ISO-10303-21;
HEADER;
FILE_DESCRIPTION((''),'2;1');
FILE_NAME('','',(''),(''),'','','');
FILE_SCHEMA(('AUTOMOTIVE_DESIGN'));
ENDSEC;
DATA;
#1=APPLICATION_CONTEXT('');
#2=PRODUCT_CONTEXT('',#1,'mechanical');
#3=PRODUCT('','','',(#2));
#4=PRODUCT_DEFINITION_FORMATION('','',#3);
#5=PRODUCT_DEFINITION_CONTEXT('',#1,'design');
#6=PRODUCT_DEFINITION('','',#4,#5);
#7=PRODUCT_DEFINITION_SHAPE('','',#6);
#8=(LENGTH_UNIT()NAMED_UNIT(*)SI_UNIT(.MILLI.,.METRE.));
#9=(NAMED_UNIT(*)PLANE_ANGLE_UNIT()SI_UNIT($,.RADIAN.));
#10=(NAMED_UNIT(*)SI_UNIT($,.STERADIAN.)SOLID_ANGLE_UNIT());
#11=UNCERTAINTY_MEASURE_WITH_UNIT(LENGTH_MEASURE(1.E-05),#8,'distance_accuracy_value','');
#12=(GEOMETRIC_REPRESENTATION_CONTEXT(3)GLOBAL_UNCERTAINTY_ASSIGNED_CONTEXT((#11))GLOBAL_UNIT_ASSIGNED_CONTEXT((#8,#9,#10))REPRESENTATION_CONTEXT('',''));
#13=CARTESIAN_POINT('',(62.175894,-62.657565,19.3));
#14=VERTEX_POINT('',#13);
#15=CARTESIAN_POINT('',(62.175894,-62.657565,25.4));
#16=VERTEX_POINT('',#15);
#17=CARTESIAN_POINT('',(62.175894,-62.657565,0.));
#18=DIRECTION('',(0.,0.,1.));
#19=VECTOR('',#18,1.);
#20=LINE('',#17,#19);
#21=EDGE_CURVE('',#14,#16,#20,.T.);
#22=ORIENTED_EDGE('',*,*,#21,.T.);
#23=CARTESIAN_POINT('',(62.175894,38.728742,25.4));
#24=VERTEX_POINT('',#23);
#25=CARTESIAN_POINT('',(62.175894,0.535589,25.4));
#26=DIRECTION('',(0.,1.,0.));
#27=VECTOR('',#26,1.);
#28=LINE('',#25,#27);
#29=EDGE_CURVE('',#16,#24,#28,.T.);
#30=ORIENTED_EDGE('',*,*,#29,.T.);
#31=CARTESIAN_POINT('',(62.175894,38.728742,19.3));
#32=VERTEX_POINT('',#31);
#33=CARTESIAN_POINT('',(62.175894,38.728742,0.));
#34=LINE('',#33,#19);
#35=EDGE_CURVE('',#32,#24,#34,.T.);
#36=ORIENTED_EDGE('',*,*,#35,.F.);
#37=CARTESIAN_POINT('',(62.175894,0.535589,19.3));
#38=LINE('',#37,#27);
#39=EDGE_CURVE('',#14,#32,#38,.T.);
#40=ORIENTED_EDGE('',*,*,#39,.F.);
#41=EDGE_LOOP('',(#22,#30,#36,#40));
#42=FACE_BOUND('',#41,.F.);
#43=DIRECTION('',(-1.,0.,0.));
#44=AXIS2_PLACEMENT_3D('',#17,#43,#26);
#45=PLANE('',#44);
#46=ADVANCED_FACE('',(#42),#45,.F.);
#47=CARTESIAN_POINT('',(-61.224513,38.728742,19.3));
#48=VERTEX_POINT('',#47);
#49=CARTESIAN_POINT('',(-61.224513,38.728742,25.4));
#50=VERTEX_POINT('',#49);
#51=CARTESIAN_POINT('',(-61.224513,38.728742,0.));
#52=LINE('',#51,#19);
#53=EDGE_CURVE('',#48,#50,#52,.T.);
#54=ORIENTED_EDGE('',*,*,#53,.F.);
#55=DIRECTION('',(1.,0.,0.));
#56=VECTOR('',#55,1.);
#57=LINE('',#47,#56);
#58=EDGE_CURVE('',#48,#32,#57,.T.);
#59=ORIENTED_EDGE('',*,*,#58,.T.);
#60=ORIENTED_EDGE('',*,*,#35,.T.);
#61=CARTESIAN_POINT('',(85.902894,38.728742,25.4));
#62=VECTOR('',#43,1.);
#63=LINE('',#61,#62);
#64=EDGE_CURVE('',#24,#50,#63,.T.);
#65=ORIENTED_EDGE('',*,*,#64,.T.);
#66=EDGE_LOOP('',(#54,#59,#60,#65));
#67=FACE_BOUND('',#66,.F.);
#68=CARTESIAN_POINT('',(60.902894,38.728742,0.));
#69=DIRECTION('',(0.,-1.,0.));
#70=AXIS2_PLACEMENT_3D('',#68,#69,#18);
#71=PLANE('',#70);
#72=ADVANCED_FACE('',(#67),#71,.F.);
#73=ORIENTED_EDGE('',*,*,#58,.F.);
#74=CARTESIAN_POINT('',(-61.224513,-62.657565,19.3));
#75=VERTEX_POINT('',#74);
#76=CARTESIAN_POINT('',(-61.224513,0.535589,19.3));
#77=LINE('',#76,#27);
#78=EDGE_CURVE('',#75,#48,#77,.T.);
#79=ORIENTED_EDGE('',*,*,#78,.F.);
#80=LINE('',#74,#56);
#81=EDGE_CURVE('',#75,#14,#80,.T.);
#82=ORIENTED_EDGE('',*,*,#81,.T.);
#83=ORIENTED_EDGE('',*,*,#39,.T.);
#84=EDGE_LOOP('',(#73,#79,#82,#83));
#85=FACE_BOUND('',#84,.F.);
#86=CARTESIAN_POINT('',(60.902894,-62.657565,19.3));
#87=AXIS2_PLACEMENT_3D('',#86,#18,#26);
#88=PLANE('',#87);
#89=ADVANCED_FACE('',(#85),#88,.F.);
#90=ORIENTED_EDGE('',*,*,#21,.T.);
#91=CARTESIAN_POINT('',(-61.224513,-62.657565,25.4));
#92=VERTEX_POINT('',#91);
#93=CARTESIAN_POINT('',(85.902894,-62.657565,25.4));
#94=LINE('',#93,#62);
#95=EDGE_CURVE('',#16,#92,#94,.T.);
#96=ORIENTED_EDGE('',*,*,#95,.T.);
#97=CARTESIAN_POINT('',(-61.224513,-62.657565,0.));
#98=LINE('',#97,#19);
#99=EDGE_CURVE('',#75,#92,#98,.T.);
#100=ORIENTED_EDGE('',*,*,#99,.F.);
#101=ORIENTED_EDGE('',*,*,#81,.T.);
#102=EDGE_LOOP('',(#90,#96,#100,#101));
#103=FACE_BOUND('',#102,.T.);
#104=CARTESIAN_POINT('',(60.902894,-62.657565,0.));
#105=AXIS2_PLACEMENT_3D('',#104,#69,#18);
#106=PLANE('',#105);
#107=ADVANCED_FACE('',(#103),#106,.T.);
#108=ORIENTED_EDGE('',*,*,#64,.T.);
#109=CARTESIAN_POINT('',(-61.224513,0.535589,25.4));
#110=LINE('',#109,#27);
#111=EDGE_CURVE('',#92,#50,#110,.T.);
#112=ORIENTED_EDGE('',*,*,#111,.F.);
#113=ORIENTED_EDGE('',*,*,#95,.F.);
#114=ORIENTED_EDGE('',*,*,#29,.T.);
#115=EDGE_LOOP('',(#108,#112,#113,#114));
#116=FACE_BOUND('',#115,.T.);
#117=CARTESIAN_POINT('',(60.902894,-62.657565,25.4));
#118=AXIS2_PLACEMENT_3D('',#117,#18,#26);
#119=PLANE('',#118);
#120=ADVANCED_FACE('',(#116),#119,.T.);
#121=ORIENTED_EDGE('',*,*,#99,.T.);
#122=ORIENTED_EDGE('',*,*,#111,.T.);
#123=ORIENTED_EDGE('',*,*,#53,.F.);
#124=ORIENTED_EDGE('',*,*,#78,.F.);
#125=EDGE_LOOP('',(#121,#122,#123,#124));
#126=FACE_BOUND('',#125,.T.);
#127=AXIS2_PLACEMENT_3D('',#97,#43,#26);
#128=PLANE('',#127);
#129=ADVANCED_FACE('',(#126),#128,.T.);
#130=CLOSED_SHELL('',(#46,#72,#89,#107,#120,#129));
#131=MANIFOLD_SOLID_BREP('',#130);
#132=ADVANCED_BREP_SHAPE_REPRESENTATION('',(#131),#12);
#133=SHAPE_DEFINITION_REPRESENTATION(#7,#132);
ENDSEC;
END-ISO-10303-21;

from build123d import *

# Parameters (mm, degrees)
F0_W     = 122.1274062991
F0_H     = 126.3863071799
F1_DEPTH = 25.4
F2_DEPTH = 25
F3_DEPTH = 23.727
F4_DEPTH = 25
F5_DEPTH = 19.3


with BuildPart() as f1:
    # F0 (on Top) → F1 (new body)
    with BuildSketch(Plane.XY):
        with Locations((-0.1608096063, 0.5355887115)):
            Rectangle(F0_W, F0_H)
    extrude(amount=F1_DEPTH)

    # F2 (add): a face of the model
    f2_faces = [f1.faces().sort_by_distance(p)[0] for p in [
        (60.9028935432, 0.5355887115, 12.7),
    ]]
    extrude(f2_faces, amount=F2_DEPTH)

    # F3 (cut): a face of the model
    f3_faces = [f1.faces().sort_by_distance(p)[0] for p in [
        (85.9028935432, 0.5355887115, 12.7),
    ]]
    extrude(f3_faces, amount=-F3_DEPTH, mode=Mode.SUBTRACT)

    # F4 (cut): a face of the model
    f4_faces = [f1.faces().sort_by_distance(p)[0] for p in [
        (0.4756903937, 63.7287423015, 12.7),
    ]]
    extrude(f4_faces, amount=-F4_DEPTH, mode=Mode.SUBTRACT)

    # F5 (cut): a face of the model
    f5_faces = [f1.faces().sort_by_distance(p)[0] for p in [
        (0.4756903937, -11.9644112885, 0),
    ]]
    extrude(f5_faces, amount=-F5_DEPTH, mode=Mode.SUBTRACT)


solid = f1.part
